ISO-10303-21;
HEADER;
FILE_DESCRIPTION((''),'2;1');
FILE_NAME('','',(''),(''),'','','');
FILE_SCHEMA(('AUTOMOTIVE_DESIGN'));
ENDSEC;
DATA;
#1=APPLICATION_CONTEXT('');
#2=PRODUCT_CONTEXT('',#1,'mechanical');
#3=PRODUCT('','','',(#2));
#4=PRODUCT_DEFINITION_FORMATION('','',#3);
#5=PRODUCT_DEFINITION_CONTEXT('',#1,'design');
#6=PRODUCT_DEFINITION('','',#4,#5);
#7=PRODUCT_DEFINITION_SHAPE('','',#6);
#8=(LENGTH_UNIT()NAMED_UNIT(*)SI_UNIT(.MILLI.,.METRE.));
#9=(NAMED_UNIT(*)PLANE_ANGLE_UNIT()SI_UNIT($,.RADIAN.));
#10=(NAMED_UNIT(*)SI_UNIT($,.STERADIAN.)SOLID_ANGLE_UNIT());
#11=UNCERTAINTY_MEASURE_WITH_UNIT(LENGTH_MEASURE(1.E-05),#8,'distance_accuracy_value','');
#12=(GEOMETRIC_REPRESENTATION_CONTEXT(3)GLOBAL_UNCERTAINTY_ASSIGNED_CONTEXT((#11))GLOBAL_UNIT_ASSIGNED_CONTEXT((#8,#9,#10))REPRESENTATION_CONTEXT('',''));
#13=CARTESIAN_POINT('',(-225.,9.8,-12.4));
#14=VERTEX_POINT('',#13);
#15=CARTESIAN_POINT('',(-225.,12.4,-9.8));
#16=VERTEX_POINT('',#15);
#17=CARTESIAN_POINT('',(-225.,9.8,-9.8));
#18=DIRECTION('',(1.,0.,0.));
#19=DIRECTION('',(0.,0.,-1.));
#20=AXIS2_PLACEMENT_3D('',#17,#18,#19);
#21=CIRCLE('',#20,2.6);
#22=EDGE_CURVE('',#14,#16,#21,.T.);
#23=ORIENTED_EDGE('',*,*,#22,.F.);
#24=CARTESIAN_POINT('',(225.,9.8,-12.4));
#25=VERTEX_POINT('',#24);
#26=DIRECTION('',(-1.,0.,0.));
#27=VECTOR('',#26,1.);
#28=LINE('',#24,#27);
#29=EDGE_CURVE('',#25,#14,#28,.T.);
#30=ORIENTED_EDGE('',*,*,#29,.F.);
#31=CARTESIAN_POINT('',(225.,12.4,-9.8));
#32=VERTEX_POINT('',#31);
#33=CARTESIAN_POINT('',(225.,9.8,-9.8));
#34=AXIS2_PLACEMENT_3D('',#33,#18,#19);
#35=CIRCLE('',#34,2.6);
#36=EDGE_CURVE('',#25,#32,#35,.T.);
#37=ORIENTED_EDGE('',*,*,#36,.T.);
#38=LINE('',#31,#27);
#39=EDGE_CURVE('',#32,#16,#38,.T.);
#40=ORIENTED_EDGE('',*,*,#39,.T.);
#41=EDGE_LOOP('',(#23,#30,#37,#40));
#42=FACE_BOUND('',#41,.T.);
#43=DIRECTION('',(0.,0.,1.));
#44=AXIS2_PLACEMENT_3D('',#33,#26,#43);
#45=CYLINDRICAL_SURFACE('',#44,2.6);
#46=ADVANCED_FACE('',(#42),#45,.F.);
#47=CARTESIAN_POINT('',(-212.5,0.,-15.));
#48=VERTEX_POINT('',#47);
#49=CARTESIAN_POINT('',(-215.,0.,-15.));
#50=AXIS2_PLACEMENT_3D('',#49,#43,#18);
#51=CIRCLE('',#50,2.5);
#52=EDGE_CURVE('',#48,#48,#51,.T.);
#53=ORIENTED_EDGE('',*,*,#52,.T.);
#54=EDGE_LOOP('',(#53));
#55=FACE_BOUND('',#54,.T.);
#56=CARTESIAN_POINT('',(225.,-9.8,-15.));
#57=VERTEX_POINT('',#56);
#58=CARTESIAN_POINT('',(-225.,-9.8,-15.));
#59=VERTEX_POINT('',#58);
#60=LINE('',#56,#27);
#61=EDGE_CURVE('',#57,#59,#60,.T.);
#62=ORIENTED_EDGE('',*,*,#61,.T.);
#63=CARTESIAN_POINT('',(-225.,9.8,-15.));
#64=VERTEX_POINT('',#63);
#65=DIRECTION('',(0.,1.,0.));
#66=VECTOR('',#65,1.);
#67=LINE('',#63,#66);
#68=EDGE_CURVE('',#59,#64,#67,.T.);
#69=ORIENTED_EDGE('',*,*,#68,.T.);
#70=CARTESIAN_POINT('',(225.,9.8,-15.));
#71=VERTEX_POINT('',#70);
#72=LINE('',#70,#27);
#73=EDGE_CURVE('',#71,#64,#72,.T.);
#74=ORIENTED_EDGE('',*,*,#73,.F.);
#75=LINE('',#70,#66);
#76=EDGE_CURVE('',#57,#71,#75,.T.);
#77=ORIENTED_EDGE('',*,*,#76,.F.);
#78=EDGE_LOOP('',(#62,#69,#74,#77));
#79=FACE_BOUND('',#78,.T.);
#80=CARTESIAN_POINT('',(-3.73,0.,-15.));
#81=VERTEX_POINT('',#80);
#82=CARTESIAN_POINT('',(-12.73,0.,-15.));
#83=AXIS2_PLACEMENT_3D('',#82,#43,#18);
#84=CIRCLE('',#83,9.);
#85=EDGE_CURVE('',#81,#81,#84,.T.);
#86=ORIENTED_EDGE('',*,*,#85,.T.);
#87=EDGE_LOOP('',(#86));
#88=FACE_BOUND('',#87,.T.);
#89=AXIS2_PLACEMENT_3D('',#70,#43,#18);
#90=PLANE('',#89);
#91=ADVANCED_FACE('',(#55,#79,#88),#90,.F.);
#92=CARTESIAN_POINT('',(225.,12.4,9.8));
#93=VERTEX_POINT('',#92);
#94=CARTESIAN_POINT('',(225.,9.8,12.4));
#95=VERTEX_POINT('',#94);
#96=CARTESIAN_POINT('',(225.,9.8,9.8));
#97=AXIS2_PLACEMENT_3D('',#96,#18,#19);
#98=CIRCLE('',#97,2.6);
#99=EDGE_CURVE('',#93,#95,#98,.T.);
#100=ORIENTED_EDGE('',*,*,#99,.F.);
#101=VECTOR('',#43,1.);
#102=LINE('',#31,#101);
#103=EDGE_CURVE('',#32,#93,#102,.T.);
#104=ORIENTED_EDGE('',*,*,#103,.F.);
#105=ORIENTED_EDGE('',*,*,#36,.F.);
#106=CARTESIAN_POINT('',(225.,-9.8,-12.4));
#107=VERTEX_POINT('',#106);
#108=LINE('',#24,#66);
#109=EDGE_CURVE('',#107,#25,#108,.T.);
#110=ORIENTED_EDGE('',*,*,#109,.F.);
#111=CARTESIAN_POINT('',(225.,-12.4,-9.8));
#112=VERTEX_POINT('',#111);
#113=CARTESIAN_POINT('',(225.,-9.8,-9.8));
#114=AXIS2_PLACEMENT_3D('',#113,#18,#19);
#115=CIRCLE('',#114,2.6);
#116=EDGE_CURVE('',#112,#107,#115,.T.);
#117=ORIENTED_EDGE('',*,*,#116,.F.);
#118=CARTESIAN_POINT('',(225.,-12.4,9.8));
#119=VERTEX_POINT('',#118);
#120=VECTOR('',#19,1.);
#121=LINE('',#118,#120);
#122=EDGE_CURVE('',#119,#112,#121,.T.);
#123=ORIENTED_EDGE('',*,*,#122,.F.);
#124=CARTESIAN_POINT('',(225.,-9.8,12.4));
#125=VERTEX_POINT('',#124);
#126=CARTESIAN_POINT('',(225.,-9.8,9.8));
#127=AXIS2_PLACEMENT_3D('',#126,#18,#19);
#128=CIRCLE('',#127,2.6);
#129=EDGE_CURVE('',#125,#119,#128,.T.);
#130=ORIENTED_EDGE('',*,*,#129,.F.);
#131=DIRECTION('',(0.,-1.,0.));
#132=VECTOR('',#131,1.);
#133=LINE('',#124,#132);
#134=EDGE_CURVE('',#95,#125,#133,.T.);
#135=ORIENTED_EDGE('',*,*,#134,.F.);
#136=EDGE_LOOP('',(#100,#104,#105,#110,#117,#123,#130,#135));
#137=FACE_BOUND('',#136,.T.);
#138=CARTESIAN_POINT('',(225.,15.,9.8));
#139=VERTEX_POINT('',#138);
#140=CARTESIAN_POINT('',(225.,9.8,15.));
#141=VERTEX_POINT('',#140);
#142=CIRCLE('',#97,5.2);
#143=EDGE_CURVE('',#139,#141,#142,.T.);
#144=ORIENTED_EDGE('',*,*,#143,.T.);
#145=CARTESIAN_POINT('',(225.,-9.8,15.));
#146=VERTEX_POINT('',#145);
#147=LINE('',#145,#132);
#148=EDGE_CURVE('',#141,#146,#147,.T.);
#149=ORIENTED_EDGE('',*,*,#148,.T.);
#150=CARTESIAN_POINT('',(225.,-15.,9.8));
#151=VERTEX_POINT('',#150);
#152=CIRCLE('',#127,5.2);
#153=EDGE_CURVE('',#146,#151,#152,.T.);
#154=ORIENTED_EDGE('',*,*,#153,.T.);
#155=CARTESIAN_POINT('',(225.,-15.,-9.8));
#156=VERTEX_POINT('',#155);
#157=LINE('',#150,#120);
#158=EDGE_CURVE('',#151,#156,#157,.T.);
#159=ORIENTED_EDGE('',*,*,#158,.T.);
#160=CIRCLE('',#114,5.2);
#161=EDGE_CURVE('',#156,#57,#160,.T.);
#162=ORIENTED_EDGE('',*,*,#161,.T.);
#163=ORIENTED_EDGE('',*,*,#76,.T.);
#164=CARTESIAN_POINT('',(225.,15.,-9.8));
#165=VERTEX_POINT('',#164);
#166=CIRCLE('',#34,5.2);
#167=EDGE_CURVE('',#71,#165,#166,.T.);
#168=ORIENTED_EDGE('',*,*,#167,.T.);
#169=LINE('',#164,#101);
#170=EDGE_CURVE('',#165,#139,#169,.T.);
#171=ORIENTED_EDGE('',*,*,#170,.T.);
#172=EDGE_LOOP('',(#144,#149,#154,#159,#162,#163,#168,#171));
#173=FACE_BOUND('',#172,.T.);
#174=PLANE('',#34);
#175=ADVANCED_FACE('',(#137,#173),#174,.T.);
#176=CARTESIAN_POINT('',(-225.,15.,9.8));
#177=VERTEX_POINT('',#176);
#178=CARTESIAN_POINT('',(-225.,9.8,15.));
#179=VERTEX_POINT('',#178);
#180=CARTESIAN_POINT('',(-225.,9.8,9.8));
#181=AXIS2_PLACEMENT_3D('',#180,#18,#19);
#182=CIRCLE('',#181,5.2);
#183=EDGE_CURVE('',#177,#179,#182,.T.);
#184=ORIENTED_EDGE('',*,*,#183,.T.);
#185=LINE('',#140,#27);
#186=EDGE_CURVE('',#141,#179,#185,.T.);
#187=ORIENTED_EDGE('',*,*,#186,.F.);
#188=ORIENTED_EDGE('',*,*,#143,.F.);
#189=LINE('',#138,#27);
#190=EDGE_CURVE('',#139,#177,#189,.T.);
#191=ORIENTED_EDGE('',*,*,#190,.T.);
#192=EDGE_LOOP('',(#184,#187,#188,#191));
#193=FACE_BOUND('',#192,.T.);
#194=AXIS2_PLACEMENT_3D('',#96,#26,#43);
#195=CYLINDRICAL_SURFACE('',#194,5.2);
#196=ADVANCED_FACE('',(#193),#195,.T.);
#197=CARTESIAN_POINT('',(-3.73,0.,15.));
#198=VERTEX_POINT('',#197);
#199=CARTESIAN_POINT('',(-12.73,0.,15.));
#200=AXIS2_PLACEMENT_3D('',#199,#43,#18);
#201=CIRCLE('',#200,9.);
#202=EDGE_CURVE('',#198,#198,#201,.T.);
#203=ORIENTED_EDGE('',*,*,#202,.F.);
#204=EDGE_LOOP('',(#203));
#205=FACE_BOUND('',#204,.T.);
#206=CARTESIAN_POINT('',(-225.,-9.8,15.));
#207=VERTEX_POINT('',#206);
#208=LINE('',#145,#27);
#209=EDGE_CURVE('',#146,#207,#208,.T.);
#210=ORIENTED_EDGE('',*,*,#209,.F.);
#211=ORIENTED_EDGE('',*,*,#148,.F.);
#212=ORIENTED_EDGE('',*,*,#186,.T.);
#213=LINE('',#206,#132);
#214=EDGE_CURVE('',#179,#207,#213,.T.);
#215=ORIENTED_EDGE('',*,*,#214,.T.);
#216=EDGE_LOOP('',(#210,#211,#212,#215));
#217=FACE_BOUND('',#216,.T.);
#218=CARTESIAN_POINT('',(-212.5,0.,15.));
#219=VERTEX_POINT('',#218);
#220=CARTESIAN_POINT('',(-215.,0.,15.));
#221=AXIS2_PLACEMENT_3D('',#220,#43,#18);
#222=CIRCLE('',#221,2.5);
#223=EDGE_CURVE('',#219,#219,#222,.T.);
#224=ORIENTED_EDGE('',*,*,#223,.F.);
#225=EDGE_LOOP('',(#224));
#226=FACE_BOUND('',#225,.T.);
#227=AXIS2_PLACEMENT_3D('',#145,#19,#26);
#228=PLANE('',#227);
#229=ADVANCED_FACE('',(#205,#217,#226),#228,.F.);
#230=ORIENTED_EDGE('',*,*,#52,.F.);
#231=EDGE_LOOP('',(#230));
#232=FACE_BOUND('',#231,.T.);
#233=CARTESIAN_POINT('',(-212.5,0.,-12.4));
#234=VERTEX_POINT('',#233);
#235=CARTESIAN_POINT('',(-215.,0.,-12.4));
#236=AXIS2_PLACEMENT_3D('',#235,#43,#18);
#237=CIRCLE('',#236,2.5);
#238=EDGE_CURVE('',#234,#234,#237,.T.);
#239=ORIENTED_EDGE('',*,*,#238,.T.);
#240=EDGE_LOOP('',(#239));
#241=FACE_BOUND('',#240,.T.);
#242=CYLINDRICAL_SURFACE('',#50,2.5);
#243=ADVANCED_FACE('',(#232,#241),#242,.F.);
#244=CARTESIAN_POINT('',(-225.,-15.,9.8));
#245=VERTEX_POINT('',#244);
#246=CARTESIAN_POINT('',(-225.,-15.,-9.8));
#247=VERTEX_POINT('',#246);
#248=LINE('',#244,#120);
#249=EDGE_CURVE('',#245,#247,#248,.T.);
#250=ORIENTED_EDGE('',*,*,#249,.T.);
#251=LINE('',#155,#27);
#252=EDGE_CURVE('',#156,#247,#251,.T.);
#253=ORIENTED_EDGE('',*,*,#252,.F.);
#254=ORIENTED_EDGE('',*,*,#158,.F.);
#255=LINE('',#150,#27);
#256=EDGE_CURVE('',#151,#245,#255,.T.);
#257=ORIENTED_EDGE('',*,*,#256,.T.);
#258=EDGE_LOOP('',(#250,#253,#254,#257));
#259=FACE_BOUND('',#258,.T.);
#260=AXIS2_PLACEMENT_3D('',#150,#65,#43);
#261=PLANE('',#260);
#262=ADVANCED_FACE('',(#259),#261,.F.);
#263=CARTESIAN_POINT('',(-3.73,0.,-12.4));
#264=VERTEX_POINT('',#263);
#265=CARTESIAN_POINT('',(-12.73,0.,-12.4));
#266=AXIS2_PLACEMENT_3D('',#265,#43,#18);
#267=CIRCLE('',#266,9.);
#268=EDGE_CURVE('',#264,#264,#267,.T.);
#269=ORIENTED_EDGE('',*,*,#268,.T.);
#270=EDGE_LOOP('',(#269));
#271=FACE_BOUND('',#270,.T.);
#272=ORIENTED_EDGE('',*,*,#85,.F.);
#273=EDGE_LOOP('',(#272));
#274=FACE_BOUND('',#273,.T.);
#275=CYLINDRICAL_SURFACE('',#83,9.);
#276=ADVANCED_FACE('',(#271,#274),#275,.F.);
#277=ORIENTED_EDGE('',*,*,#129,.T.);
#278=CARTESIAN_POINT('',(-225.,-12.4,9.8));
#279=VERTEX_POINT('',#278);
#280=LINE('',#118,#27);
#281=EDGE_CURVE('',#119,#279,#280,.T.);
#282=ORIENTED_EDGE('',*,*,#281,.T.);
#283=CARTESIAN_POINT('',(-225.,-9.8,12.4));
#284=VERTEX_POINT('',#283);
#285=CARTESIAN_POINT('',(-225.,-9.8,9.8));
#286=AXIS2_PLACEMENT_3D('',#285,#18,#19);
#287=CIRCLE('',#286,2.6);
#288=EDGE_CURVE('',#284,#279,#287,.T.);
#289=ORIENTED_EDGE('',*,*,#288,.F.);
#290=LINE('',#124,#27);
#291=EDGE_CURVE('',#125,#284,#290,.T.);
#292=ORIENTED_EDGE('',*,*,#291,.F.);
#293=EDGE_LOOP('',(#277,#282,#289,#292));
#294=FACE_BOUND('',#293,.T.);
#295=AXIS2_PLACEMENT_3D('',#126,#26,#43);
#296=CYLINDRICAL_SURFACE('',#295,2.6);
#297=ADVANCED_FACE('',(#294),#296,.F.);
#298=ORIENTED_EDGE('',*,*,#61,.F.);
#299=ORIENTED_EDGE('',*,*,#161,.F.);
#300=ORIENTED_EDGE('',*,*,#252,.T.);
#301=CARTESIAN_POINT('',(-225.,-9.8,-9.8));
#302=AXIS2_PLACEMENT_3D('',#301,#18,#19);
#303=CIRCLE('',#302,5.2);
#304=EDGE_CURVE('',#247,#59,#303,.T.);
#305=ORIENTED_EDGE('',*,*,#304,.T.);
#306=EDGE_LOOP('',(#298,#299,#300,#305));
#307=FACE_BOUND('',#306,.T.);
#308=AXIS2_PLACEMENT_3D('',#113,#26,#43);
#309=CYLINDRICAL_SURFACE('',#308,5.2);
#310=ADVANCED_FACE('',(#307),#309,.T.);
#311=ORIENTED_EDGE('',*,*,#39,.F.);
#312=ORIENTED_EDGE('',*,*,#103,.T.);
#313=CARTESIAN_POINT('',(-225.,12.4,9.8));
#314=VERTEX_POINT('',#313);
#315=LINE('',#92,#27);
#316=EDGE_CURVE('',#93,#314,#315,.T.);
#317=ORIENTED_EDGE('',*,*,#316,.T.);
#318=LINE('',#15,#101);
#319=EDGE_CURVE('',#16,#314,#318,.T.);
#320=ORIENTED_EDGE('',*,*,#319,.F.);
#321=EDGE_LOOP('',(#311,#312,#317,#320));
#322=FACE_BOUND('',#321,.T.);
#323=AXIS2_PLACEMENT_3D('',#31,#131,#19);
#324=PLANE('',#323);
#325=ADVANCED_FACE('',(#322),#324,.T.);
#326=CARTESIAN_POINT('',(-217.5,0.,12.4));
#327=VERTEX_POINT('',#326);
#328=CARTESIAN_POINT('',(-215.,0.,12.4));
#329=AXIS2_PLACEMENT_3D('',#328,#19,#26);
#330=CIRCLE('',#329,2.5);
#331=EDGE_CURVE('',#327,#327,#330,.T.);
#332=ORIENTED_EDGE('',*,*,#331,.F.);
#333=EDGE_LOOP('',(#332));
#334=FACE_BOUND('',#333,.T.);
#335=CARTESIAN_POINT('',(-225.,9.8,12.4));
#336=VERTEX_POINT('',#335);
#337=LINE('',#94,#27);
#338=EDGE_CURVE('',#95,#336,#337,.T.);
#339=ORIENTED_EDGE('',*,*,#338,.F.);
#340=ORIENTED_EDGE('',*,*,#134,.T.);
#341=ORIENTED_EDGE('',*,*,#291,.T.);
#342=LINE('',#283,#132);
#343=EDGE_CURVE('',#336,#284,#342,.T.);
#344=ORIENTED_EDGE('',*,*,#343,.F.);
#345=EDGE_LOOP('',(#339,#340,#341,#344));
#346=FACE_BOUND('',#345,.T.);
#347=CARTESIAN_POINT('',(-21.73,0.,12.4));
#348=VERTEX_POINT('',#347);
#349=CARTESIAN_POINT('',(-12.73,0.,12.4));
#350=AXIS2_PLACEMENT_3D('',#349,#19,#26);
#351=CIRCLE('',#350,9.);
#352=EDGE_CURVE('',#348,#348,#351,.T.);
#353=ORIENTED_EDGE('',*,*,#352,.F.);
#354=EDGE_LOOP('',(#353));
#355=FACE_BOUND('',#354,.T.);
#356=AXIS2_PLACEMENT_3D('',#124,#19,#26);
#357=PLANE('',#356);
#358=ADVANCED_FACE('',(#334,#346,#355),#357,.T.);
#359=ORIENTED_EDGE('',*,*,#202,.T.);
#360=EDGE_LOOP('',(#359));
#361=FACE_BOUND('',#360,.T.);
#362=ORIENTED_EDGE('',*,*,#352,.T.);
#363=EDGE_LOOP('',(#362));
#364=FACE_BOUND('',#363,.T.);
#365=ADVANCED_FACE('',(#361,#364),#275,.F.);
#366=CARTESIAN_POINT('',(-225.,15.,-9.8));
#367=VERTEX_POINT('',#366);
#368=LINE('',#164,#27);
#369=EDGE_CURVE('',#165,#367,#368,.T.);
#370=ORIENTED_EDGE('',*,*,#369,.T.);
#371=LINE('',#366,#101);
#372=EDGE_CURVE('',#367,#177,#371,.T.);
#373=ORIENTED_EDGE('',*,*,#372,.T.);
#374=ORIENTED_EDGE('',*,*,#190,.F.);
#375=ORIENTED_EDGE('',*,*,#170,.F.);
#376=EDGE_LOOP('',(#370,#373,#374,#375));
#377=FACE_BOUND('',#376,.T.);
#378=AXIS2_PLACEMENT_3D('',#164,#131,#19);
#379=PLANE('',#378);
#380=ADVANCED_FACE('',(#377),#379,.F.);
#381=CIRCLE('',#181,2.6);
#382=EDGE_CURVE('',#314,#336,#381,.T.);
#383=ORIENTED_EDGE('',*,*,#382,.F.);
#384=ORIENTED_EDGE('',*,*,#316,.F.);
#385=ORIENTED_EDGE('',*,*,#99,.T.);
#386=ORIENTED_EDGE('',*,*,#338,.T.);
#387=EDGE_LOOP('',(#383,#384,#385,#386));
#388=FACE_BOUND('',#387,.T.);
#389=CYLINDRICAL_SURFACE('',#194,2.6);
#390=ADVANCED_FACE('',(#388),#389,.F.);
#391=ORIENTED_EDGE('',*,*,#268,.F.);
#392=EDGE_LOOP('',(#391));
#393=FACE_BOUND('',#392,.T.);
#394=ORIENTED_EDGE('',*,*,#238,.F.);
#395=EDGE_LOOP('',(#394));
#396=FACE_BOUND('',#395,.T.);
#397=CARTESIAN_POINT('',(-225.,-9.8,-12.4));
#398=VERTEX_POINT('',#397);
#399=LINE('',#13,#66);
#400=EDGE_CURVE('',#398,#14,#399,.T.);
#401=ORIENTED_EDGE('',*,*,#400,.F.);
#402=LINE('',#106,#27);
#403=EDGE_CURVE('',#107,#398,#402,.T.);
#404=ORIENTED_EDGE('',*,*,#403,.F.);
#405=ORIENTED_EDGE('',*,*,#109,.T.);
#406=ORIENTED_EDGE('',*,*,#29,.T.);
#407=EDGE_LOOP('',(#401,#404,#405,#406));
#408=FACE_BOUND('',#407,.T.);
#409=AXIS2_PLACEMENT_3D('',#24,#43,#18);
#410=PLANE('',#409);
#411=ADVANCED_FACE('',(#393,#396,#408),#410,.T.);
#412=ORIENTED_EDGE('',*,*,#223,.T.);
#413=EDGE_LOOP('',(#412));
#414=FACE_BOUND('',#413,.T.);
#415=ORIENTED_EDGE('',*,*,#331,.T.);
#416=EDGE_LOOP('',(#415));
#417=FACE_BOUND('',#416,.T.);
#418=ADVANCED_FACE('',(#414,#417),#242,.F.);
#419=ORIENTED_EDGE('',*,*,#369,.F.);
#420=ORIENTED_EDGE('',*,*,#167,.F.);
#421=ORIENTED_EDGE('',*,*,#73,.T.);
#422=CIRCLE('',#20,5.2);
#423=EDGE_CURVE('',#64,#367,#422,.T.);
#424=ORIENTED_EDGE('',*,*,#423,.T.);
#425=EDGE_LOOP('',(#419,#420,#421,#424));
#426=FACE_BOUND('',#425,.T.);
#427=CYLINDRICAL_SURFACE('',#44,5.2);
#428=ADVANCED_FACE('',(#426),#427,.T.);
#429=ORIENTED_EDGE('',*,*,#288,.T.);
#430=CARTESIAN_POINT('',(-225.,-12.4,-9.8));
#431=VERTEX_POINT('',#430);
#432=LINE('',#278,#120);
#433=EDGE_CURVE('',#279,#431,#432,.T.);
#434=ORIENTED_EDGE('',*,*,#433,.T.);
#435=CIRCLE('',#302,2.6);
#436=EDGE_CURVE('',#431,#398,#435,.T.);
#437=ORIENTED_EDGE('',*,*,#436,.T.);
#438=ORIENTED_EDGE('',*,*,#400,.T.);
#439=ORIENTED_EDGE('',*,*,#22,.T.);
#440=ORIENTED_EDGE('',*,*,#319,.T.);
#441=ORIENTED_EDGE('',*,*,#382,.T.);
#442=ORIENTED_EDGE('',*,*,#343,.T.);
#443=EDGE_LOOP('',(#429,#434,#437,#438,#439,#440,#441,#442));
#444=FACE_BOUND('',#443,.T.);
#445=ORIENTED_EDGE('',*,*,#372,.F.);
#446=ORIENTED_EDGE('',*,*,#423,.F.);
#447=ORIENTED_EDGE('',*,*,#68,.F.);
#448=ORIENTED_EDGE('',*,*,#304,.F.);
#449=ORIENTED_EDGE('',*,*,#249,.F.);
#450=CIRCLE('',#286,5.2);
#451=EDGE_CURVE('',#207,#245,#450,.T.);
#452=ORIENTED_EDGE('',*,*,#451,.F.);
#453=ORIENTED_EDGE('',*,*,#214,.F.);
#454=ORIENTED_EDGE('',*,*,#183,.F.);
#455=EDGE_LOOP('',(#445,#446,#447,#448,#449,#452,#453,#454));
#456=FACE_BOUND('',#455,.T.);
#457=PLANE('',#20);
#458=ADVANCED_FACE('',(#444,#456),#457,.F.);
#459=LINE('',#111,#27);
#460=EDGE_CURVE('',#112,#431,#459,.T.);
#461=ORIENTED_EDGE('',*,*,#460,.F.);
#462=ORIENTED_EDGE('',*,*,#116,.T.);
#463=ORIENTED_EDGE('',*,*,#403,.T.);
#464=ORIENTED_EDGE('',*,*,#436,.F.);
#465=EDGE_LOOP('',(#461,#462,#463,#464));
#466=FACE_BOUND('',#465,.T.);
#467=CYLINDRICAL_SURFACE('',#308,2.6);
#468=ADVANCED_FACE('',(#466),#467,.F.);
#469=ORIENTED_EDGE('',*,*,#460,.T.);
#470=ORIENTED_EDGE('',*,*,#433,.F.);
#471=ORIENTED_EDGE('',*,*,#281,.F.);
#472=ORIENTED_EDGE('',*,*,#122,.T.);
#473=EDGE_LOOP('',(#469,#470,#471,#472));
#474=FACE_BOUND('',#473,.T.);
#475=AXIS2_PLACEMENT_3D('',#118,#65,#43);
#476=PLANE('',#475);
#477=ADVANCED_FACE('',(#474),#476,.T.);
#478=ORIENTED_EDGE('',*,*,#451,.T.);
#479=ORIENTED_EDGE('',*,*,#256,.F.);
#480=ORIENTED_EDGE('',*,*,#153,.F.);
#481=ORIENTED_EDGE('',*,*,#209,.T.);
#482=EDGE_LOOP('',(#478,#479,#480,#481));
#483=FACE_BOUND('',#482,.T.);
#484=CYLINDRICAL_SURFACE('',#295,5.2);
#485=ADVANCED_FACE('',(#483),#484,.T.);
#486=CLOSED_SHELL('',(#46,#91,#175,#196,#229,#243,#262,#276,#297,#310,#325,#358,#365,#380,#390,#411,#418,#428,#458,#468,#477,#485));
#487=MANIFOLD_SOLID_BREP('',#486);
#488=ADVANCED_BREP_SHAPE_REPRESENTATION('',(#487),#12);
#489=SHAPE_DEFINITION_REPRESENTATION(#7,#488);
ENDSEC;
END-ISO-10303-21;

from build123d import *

# Parameters (mm, degrees)
RURA_KWADRATOWA_30_X_30_X_2_6_1_DEPTH = 450
SZKIC2_R                              = 2.5
SZKIC2_R_2                            = 9
WYTNIJ_WYCI_GNI_CIE1_DEPTH            = 228.486263322


with BuildPart() as part:
    # Sketch1 → Rura kwadratowa 30 X 30 X 2.6(1) (new body)
    with BuildSketch(Plane(origin=(-225, 0, 0), x_dir=(0, 0, -1), z_dir=(1, 0, 0))):
        with BuildLine():
            Line((-9.8, -15), (9.8, -15))
            ThreePointArc((9.8, -15), (13.476955262, -13.476955262), (15, -9.8))
            Line((15, -9.8), (15, 9.8))
            ThreePointArc((15, 9.8), (13.476955262, 13.476955262), (9.8, 15))
            Line((9.8, 15), (-9.8, 15))
            ThreePointArc((-9.8, 15), (-13.476955262, 13.476955262), (-15, 9.8))
            Line((-15, 9.8), (-15, -9.8))
            ThreePointArc((-15, -9.8), (-13.476955262, -13.476955262), (-9.8, -15))
        make_face()
        with BuildLine():
            Line((-9.8, -12.4), (9.8, -12.4))
            ThreePointArc((9.8, -12.4), (11.638477631, -11.638477631), (12.4, -9.8))
            Line((12.4, -9.8), (12.4, 9.8))
            ThreePointArc((12.4, 9.8), (11.638477631, 11.638477631), (9.8, 12.4))
            Line((9.8, 12.4), (-9.8, 12.4))
            ThreePointArc((-9.8, 12.4), (-11.638477631, 11.638477631), (-12.4, 9.8))
            Line((-12.4, 9.8), (-12.4, -9.8))
            ThreePointArc((-12.4, -9.8), (-11.638477631, -11.638477631), (-9.8, -12.4))
        make_face(mode=Mode.SUBTRACT)
    extrude(amount=RURA_KWADRATOWA_30_X_30_X_2_6_1_DEPTH)

    # Szkic2 → Wytnij-wyciągnięcie1 (cut, through all)
    with BuildSketch(Plane.XY.offset(15)):
        with Locations((-215, 0)):
            Circle(SZKIC2_R)
        with Locations((-12.73, 0)):
            Circle(SZKIC2_R_2)
    extrude(amount=-WYTNIJ_WYCI_GNI_CIE1_DEPTH, mode=Mode.SUBTRACT)


solid = part.part
